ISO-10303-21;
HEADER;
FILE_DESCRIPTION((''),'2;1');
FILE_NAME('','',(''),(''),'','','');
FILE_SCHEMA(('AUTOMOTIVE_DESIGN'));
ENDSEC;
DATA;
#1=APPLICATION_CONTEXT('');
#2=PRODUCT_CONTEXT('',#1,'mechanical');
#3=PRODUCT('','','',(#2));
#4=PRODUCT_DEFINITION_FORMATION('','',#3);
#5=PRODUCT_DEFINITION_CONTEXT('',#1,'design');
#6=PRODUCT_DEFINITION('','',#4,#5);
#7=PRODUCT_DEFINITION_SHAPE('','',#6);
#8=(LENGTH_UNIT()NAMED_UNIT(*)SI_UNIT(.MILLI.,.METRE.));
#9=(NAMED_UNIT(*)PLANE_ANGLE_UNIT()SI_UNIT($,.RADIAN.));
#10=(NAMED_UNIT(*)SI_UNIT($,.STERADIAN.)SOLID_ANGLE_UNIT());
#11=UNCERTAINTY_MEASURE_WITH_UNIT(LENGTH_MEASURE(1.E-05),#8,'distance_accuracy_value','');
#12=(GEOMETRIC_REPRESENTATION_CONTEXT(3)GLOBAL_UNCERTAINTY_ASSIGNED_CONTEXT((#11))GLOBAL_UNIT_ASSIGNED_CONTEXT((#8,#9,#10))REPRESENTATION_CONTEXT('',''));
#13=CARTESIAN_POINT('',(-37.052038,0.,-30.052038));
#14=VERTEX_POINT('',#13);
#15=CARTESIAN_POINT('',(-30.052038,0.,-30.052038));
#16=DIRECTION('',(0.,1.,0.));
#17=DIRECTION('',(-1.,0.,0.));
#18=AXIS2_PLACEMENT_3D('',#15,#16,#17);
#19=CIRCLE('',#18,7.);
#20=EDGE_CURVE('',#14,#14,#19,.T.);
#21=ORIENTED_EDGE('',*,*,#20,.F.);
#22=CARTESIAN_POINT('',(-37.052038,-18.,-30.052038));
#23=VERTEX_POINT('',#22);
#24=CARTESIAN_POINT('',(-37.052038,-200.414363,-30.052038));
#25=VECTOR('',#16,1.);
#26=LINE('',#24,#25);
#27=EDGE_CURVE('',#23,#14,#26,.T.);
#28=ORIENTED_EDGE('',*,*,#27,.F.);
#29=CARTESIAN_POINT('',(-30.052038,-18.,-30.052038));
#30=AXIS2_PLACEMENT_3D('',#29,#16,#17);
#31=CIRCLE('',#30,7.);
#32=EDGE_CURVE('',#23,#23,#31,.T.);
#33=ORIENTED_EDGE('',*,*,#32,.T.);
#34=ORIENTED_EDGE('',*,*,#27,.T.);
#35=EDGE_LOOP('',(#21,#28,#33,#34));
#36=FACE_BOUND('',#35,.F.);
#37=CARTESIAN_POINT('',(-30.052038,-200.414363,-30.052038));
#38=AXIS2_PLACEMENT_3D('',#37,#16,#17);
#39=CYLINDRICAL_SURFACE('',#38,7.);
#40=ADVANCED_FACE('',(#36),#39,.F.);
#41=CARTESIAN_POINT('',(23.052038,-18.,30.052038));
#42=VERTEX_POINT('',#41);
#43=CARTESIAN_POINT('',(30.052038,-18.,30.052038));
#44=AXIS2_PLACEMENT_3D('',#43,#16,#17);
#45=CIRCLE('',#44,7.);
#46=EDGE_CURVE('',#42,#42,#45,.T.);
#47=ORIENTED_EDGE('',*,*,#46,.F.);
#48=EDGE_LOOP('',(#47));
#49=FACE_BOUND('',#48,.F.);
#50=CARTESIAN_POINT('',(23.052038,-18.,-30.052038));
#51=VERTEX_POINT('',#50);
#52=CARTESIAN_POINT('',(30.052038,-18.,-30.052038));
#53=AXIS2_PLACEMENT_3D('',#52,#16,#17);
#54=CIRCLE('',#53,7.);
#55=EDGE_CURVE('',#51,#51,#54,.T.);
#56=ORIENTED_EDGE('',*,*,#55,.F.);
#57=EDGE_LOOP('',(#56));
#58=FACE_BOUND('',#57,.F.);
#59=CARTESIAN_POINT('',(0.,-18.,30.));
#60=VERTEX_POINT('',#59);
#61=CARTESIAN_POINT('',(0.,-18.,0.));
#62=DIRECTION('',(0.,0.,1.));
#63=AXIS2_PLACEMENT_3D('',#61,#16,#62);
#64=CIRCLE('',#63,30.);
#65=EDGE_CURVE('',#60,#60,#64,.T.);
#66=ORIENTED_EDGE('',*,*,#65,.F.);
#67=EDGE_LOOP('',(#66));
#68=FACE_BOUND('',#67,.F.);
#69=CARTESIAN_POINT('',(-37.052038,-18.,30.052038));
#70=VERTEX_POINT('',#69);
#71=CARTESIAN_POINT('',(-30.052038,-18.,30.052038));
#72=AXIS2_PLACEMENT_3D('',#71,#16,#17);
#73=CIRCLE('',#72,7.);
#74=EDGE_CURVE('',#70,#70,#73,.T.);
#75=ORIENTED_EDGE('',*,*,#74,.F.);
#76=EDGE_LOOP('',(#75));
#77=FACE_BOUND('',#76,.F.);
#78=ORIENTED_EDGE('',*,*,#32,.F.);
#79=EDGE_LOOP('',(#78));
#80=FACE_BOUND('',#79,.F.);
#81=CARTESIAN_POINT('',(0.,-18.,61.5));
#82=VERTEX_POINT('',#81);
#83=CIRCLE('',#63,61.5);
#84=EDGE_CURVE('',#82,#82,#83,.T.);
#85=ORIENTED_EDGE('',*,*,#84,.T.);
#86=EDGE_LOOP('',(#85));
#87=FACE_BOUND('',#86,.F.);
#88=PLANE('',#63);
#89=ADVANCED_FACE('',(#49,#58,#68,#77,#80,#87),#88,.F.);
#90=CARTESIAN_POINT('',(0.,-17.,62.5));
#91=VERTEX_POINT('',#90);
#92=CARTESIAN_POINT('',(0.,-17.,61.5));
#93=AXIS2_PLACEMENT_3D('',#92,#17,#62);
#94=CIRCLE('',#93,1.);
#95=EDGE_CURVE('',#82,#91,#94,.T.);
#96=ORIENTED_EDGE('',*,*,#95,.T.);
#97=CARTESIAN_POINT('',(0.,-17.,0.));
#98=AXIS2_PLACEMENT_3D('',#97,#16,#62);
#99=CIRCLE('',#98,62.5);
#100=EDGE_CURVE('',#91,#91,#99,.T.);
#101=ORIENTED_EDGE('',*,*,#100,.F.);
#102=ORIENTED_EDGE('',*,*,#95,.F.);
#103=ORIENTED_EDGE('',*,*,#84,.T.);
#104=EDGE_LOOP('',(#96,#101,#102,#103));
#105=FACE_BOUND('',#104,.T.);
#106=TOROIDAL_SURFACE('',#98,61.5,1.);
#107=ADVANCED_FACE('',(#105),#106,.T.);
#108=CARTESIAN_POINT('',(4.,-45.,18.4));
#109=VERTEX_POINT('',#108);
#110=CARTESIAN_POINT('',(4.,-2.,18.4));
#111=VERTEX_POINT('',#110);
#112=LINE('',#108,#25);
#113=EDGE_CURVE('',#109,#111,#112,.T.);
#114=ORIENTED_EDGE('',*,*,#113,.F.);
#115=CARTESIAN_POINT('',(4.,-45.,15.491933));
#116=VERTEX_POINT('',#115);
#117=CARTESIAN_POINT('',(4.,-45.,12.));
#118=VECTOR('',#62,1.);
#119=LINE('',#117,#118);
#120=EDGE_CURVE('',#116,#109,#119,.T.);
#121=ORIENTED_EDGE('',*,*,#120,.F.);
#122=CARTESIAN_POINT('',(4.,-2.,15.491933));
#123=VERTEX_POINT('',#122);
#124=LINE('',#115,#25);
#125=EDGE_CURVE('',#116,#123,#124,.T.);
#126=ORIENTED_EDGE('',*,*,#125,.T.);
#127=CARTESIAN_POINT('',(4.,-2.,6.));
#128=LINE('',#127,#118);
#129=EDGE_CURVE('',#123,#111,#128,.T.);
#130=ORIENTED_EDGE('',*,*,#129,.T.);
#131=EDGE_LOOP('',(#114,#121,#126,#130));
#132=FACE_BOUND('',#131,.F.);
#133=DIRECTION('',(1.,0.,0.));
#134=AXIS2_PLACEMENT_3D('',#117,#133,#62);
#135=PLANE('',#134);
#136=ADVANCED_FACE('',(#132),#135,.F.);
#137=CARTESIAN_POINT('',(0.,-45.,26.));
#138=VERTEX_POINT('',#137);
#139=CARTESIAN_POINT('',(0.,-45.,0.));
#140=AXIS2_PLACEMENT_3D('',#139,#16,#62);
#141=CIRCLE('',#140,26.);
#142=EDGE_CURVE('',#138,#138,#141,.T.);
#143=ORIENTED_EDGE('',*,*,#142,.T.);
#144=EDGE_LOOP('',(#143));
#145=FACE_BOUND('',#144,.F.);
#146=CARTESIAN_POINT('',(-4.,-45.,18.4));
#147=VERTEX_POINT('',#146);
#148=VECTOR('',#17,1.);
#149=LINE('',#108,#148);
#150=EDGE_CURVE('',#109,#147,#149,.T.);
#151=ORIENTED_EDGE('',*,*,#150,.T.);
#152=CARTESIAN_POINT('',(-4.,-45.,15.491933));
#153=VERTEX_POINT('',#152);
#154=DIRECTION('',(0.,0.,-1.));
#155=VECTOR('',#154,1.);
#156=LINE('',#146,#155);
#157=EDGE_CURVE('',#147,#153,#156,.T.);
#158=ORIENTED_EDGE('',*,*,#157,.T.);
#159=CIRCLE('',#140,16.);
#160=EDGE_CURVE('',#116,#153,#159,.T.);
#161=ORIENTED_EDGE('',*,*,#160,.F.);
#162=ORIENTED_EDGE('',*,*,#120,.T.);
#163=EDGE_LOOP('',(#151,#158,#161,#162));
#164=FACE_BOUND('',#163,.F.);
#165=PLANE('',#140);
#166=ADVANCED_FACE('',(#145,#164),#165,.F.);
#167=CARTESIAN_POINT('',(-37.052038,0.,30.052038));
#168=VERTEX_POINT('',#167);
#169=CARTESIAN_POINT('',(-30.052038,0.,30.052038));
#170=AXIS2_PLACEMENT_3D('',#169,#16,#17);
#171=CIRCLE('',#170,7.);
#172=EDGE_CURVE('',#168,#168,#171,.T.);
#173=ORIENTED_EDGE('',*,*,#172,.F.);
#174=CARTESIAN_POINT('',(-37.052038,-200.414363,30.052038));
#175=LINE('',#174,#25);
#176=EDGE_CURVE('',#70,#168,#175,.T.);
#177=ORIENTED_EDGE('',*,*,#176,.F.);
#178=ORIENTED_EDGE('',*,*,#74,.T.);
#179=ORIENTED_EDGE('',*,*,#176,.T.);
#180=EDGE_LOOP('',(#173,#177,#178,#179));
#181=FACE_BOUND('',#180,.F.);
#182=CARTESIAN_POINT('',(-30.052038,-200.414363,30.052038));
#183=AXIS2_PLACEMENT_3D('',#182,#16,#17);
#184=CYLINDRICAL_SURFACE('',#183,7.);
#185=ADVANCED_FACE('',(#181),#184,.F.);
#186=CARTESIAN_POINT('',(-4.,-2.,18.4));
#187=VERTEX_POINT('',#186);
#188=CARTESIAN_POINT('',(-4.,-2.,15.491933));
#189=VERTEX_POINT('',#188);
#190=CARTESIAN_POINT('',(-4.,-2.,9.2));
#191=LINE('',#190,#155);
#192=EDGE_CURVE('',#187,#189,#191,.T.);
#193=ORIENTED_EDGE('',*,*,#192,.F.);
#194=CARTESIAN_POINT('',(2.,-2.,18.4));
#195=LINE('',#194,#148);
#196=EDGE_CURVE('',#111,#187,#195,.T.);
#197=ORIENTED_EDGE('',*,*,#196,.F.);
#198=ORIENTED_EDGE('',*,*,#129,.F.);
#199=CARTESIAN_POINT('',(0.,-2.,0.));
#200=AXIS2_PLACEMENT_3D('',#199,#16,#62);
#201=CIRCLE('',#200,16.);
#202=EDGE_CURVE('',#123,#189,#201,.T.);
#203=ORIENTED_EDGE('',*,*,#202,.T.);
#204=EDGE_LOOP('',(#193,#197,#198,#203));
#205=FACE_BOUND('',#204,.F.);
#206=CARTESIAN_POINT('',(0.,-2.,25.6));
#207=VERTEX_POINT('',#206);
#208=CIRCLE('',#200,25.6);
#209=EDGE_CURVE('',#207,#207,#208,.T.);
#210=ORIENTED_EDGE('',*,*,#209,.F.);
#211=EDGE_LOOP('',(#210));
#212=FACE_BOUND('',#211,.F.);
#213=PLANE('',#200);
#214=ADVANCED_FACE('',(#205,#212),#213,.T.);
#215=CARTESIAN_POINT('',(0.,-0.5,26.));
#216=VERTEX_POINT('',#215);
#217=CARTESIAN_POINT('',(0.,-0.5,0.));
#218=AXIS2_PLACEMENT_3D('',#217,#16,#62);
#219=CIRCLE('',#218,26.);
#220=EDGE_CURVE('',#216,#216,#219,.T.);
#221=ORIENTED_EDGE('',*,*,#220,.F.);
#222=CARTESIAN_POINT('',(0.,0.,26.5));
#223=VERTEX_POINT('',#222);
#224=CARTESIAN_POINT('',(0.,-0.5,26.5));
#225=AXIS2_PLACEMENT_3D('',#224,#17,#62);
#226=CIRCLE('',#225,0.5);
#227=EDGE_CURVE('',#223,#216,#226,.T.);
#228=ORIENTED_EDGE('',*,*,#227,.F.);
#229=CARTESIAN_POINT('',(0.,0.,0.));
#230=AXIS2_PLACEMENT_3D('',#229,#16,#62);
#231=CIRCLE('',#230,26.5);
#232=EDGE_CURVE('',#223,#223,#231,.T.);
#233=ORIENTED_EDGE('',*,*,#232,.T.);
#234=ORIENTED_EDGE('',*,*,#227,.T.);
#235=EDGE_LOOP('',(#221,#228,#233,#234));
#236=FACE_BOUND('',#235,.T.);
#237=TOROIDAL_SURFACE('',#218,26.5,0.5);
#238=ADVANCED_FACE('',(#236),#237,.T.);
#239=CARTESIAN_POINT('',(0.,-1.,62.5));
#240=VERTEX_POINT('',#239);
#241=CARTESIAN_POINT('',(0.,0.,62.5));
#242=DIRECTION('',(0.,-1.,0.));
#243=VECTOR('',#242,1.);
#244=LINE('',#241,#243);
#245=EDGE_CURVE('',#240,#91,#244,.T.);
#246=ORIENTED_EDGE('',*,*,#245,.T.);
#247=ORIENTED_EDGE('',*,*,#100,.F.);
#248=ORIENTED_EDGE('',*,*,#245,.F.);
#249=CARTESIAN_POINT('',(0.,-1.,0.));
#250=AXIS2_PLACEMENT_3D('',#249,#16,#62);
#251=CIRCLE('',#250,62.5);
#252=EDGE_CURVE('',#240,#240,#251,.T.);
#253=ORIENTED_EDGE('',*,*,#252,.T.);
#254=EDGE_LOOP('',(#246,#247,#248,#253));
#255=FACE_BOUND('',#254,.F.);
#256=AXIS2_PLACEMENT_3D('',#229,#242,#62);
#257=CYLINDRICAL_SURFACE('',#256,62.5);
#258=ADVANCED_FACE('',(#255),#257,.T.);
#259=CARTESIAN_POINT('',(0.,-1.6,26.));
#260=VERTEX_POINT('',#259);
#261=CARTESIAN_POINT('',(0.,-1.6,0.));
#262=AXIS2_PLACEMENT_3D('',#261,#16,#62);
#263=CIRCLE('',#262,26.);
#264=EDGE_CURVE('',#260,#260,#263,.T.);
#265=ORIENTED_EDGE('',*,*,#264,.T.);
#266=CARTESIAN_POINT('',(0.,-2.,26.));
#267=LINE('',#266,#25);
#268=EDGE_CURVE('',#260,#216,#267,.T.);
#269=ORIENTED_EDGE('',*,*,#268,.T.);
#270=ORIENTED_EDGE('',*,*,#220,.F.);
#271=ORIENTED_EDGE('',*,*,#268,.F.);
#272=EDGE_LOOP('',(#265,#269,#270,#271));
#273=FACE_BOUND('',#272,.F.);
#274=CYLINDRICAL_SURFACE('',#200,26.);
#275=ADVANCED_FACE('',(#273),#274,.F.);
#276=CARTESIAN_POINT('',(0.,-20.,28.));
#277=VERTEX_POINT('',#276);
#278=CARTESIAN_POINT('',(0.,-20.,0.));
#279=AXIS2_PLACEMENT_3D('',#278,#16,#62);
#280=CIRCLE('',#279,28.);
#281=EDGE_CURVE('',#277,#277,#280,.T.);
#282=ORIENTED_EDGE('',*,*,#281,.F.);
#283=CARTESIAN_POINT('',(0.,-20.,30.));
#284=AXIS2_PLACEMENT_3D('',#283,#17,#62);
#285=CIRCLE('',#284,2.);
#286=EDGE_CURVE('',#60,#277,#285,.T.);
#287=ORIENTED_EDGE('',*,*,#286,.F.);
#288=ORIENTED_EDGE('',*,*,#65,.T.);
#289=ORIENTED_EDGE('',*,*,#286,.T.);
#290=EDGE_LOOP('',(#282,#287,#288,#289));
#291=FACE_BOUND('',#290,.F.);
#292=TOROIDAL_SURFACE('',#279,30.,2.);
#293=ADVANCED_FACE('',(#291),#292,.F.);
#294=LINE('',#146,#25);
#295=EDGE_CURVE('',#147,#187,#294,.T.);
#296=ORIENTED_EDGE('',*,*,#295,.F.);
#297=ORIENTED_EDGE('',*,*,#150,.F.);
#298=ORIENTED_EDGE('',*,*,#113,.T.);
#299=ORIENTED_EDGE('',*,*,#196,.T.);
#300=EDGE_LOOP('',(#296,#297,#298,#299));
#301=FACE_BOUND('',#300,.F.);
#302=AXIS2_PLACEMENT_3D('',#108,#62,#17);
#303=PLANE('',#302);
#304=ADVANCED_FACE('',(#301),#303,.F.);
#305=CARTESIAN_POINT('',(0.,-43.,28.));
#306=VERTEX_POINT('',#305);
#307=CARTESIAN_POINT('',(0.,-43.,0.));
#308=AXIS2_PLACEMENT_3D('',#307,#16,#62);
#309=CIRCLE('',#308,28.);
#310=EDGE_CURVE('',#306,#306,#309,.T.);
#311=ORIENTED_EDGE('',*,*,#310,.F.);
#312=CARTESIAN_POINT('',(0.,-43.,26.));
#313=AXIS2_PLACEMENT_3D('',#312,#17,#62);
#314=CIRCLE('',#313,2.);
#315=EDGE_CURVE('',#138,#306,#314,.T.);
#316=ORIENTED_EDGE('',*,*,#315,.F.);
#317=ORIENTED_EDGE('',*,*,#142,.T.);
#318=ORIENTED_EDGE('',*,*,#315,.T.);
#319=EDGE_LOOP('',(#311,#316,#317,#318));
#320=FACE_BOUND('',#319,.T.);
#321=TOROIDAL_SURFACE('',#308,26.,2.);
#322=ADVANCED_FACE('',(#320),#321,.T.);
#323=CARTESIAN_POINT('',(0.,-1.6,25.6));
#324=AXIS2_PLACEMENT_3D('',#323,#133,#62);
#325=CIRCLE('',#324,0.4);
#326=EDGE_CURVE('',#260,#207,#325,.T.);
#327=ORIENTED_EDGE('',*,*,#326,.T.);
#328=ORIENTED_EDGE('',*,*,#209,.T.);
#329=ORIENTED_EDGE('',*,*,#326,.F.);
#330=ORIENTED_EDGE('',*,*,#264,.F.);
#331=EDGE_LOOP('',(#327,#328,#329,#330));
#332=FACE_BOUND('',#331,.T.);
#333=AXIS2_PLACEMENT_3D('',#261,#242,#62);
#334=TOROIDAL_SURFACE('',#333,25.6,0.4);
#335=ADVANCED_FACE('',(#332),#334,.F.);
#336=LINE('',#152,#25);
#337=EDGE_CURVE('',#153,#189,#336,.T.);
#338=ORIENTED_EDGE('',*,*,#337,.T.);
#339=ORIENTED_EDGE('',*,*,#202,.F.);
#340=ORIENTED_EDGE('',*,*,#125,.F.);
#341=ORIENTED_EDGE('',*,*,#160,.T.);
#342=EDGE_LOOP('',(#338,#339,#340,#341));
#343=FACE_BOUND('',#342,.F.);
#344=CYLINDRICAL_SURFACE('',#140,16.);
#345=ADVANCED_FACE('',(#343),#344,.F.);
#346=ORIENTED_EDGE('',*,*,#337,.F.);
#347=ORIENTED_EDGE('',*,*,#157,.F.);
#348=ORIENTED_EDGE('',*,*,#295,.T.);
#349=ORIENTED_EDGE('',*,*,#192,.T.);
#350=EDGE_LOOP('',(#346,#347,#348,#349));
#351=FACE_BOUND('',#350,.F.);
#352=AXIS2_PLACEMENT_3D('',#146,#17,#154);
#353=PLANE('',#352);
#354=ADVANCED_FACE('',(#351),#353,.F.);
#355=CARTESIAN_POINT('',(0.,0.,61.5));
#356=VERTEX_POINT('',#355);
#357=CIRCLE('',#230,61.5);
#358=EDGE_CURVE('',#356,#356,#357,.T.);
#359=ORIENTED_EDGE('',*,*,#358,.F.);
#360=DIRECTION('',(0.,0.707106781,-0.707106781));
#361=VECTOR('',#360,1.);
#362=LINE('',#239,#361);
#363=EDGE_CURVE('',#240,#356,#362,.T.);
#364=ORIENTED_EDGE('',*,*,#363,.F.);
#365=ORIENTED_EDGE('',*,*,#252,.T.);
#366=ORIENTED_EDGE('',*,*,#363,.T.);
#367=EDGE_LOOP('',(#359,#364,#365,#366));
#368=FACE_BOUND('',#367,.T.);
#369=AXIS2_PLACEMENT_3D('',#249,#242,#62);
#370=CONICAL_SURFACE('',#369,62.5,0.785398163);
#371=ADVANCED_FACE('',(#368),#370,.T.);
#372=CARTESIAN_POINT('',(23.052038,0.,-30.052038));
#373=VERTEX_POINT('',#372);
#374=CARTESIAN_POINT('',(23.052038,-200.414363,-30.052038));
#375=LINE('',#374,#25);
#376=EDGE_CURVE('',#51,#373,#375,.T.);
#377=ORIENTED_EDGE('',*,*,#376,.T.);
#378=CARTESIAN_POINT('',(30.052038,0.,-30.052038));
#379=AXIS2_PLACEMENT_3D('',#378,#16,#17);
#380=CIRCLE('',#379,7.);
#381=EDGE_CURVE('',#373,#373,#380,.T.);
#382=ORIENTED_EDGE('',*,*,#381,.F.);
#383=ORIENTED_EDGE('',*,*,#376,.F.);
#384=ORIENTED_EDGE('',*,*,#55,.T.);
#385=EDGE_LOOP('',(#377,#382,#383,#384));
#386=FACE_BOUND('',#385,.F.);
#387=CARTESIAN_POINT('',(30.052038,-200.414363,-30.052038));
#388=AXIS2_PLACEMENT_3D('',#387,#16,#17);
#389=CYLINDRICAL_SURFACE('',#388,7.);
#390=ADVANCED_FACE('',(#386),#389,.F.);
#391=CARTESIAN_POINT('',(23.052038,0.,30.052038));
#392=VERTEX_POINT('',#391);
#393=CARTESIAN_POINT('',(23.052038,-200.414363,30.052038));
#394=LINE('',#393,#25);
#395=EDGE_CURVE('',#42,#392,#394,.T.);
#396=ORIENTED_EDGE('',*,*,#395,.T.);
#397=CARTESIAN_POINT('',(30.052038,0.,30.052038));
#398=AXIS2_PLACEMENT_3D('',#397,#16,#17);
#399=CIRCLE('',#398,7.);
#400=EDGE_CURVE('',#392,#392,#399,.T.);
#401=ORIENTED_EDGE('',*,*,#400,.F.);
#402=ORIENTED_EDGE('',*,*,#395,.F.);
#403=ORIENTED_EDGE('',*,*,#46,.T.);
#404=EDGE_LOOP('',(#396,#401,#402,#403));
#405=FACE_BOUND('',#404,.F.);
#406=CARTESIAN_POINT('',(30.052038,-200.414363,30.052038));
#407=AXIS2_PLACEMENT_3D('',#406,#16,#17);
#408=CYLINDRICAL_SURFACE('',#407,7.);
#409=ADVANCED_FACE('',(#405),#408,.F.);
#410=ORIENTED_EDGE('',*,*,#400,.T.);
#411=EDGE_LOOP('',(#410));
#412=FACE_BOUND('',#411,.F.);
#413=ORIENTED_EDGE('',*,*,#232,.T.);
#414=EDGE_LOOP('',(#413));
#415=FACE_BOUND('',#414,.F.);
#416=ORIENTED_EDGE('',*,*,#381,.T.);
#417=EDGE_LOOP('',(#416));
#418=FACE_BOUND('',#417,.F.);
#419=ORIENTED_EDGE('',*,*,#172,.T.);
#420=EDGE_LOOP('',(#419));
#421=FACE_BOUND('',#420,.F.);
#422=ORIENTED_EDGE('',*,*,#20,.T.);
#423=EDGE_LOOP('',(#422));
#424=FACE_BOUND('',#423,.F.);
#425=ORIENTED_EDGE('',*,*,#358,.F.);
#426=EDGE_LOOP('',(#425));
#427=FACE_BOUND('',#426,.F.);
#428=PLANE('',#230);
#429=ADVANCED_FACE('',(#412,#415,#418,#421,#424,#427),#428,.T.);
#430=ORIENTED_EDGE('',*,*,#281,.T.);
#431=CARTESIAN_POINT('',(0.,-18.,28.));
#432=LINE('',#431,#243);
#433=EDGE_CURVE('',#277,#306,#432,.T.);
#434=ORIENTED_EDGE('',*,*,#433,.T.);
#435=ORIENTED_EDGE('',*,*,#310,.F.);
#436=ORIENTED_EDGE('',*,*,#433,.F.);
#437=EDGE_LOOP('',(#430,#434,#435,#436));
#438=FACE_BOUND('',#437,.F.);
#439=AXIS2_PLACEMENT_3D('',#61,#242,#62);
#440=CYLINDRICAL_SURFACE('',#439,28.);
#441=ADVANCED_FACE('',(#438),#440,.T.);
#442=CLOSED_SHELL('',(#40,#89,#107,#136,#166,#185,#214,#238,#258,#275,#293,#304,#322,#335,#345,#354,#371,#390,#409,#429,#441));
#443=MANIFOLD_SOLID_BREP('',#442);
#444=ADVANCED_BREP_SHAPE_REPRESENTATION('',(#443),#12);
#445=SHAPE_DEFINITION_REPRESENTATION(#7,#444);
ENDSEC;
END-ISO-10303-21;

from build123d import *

# Parameters (mm, degrees)
F3_DEPTH = 45.001
F5_D     = 14
F6_R     = 2
F7_R     = 1
F8_SIZE  = 1
F9_R     = 0.5
F10_R    = 0.4


with BuildPart() as f1:
    # F0 (on Right) → F1 (revolve)
    with BuildSketch(Plane.YZ):
        Polygon((-2, 26), (0, 26), (0, 62.5), (-18, 62.5), (-18, 28), (-45, 28), (-45, 16), (-2, 16), align=None)
    revolve(axis=Axis((0, -22.398166, 0), (0, 1, 0)))

    # F2 (on face) → F3 (cut, through all)
    with BuildSketch(Plane.XZ.offset(45)):
        with BuildLine():
            ThreePointArc((4, 15.491933), (0, 16), (-4, 15.491933))
            Line((-4, 15.491933), (-4, 12))
            Line((-4, 12), (4, 12))
            Line((4, 12), (4, 15.491933))
        make_face()
        with BuildLine():
            Line((4, 18.4), (-4, 18.4))
            Line((-4, 18.4), (-4, 15.491933))
            ThreePointArc((-4, 15.491933), (0, 16), (4, 15.491933))
            Line((4, 15.491933), (4, 18.4))
        make_face()
    extrude(amount=-F3_DEPTH, mode=Mode.SUBTRACT)

    # F5 (through all)
    with Locations(Plane.XZ.offset(18)):
        with Locations((30.052038, 30.052038), (30.052038, -30.052038), (-30.052038, -30.052038), (-30.052038, 30.052038)):
            Hole(F5_D / 2)

    # F6
    f6_edges = [f1.edges().sort_by_distance(p)[0] for p in [
        (0, -18, -28),
        (0, -45, -28),
    ]]
    fillet(f6_edges, radius=F6_R)

    # F7
    f7_edges = [f1.edges().sort_by_distance(p)[0] for p in [
        (0, -18, -62.5),
    ]]
    fillet(f7_edges, radius=F7_R)

    # F8
    f8_edges = [f1.edges().sort_by_distance(p)[0] for p in [
        (0, 0, -62.5),
    ]]
    chamfer(f8_edges, length=F8_SIZE)

    # F9
    f9_edges = [f1.edges().sort_by_distance(p)[0] for p in [
        (0, 0, -26),
    ]]
    fillet(f9_edges, radius=F9_R)

    # F10
    f10_edges = [f1.edges().sort_by_distance(p)[0] for p in [
        (0, -2, -26),
    ]]
    fillet(f10_edges, radius=F10_R)


solid = f1.part
